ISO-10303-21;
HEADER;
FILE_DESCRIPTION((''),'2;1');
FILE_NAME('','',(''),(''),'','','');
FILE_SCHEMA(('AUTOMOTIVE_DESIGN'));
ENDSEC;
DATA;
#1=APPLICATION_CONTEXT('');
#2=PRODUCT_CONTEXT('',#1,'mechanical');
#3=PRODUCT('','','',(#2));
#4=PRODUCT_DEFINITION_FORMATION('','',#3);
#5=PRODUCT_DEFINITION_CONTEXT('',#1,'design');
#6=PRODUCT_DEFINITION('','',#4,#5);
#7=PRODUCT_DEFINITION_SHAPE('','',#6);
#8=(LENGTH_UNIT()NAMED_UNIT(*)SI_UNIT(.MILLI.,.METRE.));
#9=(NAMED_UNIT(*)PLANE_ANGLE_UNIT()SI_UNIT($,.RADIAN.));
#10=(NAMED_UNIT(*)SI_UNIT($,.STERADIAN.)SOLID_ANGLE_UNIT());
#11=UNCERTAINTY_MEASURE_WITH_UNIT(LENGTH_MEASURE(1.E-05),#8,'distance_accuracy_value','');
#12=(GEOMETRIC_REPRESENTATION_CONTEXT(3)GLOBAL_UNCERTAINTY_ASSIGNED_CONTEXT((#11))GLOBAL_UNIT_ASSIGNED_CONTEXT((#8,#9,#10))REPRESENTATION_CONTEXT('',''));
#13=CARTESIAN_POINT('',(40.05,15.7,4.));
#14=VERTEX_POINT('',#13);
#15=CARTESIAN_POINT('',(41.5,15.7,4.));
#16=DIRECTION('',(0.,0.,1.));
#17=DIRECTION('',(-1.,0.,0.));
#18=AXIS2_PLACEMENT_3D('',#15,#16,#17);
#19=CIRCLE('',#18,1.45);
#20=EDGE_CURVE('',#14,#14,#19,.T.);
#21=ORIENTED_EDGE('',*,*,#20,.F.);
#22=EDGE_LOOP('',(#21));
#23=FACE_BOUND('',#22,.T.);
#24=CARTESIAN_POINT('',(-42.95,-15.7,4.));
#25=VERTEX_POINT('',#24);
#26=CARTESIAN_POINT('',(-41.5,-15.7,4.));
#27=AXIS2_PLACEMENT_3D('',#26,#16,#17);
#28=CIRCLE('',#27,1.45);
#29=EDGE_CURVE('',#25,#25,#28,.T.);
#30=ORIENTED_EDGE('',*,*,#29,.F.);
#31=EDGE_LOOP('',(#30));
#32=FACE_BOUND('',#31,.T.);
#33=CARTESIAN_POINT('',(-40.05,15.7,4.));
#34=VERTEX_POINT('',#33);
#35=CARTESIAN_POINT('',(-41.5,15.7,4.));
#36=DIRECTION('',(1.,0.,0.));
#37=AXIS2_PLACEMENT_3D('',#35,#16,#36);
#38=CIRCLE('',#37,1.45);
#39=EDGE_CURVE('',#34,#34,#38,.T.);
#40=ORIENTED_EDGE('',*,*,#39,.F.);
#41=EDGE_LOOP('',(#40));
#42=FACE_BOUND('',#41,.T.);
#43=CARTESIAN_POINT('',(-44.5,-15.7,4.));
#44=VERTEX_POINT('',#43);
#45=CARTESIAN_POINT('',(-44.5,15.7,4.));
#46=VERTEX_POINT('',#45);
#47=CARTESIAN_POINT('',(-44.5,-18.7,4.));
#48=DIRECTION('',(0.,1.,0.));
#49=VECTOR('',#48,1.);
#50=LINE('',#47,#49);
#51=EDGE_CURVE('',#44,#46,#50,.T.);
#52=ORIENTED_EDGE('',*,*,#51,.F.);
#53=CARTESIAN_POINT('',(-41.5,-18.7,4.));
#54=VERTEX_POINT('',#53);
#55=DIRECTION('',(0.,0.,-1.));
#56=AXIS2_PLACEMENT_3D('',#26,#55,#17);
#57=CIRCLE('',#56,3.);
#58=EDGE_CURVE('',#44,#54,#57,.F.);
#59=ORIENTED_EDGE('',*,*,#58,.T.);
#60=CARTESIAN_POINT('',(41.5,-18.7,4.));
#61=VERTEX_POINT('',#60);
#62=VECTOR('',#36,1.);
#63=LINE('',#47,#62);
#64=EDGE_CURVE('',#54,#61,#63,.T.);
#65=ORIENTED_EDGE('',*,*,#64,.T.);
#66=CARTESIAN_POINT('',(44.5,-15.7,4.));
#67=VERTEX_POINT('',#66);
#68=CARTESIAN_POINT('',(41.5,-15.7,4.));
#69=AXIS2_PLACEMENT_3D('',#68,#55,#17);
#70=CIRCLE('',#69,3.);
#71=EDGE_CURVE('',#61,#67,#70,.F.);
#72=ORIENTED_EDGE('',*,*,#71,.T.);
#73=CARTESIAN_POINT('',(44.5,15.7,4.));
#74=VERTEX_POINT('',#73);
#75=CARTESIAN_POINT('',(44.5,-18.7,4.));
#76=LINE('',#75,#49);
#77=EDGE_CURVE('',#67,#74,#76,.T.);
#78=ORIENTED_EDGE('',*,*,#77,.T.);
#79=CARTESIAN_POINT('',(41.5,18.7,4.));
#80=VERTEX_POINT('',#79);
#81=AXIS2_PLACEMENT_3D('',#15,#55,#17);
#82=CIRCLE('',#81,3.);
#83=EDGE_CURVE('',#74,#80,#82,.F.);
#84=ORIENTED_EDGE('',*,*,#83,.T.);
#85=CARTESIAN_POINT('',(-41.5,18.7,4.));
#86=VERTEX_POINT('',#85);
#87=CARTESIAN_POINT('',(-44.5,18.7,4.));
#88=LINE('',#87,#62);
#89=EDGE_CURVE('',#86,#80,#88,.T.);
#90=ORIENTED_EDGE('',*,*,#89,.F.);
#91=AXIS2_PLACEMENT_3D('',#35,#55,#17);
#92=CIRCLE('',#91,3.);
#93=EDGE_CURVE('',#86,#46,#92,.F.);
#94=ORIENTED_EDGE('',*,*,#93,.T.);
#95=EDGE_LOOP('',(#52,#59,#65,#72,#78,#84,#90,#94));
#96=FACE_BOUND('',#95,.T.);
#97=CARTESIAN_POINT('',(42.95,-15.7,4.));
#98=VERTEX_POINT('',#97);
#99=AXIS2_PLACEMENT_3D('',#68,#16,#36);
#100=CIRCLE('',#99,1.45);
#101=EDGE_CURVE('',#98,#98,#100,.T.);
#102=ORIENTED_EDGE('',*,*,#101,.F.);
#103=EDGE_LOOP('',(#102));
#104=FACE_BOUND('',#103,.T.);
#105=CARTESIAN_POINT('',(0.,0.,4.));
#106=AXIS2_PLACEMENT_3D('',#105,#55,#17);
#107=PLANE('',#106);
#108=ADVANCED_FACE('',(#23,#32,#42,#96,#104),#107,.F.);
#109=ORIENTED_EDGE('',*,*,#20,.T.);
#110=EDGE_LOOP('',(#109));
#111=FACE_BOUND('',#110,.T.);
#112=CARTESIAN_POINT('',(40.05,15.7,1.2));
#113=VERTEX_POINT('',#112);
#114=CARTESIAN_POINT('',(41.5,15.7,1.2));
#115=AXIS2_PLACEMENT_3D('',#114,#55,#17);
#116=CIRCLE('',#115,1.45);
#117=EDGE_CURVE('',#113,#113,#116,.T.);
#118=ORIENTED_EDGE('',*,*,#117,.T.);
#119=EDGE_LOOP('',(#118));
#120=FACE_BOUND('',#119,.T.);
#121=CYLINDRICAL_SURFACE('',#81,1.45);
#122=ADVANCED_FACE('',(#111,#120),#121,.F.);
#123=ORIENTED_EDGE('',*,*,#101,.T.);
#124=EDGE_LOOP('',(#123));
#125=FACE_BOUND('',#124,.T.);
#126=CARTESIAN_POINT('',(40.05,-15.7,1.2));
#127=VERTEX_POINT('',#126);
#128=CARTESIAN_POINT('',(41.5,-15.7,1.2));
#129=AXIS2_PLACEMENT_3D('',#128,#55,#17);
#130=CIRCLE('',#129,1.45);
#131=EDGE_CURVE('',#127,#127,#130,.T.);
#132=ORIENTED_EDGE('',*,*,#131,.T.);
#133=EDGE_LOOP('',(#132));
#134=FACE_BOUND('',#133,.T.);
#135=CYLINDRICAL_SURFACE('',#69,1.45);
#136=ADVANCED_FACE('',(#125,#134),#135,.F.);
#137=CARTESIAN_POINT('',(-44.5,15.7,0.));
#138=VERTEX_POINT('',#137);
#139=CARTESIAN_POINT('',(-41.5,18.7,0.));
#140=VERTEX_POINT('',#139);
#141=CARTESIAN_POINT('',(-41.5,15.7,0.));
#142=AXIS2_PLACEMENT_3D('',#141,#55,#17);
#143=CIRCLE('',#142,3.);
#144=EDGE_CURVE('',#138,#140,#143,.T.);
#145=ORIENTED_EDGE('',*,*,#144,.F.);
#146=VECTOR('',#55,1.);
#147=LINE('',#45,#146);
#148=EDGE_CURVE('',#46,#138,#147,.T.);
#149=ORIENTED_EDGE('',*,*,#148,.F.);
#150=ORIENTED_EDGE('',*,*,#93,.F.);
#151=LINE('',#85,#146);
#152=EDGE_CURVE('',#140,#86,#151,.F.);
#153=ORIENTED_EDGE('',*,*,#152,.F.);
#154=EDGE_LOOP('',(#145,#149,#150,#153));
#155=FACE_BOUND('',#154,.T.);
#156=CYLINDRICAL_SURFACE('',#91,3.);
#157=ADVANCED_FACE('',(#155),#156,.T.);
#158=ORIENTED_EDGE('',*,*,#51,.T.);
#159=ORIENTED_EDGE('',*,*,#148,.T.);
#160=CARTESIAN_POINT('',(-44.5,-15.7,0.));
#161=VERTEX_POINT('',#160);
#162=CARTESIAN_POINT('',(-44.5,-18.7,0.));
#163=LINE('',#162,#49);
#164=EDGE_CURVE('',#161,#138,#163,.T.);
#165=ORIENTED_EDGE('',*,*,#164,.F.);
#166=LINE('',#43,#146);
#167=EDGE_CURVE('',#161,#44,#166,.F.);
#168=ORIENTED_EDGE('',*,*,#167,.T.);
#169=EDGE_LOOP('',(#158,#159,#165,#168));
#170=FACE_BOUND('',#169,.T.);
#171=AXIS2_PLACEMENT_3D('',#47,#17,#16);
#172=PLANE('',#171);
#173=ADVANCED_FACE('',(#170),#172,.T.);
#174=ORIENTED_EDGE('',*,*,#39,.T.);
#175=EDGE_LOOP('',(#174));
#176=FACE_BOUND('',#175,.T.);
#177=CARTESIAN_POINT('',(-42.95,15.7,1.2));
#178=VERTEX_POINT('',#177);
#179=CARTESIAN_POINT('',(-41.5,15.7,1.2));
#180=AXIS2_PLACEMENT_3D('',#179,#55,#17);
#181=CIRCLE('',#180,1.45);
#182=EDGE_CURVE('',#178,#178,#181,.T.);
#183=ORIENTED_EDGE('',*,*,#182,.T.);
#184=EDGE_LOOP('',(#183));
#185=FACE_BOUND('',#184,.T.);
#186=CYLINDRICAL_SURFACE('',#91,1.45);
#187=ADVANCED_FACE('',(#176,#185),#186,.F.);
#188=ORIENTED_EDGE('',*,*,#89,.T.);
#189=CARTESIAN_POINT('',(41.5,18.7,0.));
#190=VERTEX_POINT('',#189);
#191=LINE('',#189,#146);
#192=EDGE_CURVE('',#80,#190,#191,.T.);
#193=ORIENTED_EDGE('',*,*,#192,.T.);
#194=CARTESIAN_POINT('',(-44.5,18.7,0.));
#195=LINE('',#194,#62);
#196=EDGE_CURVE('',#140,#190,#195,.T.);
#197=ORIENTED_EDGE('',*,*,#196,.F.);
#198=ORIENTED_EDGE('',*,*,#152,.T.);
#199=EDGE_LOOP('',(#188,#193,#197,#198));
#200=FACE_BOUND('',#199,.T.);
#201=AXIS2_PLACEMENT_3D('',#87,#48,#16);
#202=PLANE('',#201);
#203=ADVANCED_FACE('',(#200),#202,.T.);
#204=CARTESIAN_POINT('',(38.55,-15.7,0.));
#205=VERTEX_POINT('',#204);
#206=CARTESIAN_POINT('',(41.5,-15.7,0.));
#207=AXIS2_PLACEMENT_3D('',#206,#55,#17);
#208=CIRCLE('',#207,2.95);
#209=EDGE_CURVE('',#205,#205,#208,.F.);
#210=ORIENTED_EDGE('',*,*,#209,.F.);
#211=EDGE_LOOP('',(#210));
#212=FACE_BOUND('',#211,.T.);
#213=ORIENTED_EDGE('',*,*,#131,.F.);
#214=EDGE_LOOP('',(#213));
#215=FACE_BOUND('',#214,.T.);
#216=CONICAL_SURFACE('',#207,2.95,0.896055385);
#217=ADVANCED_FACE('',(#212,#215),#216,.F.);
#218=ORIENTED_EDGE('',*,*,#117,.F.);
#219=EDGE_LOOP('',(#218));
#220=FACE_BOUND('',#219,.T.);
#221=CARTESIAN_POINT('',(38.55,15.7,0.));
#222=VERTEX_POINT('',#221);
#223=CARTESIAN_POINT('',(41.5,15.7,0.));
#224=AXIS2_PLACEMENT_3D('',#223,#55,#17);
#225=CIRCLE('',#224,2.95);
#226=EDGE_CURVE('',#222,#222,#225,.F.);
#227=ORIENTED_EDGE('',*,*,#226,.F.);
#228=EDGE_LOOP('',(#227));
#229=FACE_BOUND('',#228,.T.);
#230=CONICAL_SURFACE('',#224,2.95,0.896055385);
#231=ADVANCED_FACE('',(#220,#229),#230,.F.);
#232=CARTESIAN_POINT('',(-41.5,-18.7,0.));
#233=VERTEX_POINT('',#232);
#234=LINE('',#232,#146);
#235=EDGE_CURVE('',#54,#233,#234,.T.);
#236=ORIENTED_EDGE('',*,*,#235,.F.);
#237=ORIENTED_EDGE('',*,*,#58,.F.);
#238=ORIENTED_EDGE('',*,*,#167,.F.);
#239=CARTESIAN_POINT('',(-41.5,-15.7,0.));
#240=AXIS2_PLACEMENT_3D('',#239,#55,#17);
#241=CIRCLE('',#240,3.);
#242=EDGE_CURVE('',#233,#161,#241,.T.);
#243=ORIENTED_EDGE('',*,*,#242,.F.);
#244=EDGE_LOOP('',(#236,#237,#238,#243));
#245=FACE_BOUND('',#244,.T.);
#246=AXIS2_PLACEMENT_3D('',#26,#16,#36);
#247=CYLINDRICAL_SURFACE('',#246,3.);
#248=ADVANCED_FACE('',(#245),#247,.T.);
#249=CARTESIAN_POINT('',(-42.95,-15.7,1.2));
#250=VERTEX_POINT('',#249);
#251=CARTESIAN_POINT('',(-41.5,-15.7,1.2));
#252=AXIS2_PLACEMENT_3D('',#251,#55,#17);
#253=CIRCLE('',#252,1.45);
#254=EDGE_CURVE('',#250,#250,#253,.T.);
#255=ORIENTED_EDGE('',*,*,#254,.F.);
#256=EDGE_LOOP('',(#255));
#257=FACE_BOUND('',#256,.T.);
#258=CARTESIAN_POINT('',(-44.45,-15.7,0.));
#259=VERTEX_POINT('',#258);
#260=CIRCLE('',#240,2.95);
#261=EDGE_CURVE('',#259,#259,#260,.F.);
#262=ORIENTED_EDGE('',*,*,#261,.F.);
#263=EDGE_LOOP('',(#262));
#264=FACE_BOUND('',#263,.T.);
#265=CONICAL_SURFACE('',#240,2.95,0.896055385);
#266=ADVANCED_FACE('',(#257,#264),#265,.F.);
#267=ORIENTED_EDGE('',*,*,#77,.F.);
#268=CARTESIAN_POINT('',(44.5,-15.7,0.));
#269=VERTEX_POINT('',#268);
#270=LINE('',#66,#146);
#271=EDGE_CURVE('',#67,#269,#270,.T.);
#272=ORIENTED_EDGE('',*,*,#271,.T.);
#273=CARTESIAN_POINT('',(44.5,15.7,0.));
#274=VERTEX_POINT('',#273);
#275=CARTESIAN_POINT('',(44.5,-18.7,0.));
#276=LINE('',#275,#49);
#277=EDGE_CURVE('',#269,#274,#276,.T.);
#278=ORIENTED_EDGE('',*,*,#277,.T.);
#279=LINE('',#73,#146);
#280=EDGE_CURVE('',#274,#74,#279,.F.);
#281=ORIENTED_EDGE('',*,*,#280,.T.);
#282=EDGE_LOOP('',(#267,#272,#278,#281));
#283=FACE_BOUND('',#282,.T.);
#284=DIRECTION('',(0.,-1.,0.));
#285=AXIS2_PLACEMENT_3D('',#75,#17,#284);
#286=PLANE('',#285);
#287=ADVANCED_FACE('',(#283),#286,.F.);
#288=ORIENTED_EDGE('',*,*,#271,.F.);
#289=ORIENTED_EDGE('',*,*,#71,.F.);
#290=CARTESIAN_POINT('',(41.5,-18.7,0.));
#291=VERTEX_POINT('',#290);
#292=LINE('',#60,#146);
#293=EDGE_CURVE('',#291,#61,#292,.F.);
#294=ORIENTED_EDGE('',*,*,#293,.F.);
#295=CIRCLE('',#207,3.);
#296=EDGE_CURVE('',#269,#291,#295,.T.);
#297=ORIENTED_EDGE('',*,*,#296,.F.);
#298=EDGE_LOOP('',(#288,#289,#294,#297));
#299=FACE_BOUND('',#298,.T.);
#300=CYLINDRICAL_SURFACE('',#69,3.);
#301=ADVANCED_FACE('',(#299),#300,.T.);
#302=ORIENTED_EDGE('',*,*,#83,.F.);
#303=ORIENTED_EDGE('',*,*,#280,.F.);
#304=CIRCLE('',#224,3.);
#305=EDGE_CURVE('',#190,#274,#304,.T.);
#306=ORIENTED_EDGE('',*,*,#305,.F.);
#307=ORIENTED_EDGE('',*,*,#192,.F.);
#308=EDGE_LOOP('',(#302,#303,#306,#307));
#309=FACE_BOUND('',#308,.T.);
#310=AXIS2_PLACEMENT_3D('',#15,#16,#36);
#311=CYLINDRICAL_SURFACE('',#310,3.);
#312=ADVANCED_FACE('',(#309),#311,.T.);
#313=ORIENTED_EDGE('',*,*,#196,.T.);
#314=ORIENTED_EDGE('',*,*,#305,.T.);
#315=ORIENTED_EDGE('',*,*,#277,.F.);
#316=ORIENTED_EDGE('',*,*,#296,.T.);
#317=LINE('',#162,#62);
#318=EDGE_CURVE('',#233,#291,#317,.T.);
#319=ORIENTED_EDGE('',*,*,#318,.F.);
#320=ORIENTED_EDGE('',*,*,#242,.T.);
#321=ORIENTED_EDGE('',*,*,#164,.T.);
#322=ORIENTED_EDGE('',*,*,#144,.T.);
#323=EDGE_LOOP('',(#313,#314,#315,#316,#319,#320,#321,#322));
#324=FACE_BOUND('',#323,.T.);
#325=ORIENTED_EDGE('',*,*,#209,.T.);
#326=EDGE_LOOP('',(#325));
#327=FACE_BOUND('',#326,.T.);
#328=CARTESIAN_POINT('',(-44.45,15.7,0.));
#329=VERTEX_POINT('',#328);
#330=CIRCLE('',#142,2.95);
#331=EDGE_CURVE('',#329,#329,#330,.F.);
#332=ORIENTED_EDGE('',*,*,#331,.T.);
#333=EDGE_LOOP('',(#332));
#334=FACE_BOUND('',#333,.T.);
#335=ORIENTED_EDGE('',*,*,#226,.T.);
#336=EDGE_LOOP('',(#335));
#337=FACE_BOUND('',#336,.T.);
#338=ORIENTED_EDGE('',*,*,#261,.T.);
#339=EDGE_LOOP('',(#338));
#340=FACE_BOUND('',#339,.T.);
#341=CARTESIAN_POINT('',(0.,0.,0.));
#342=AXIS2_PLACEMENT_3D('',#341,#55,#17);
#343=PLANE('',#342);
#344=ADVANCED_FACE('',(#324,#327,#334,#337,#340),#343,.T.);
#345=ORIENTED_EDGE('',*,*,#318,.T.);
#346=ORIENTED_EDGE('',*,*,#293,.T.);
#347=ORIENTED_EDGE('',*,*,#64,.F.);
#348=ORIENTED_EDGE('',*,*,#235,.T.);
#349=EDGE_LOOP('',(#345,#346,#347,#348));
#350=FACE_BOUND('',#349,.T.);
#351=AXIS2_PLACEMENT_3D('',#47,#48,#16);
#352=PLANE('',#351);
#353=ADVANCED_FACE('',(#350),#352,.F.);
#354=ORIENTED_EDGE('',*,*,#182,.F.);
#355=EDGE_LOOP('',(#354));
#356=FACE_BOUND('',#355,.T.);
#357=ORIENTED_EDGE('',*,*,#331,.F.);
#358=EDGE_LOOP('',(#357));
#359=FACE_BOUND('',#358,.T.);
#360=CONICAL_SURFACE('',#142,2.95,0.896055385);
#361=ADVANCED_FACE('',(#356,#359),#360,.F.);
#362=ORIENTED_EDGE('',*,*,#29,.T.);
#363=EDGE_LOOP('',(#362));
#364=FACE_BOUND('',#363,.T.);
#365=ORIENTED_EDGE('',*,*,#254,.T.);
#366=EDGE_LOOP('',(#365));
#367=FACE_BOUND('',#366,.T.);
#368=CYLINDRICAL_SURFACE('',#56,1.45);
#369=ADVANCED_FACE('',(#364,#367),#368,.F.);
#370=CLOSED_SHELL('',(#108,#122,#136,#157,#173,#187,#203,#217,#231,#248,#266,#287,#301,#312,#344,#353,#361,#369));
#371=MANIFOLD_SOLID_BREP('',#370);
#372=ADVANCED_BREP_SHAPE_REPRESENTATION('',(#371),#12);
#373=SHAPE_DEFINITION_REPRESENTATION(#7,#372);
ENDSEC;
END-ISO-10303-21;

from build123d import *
from OCP.BRepFilletAPI import BRepFilletAPI_MakeChamfer

# Parameters (mm, degrees)
SKETCH_1_W          = 89
SKETCH_1_H          = 37.4
EXTRUDE_1_DEPTH     = 4
FILLET_1_R          = 3
SKETCH_2_R          = 1.45
CUT_EXTRUDE_3_DEPTH = 4
CHAMFER_1_SIZE      = 1.2
CHAMFER_1_SIZE2     = 1.5


with BuildPart() as part:
    # 스케치1 → 보스-돌출1 (new body)
    with BuildSketch(Plane.XY):
        Rectangle(SKETCH_1_W, SKETCH_1_H)
    extrude(amount=EXTRUDE_1_DEPTH)

    # 필렛1
    fillet_1_edges = [part.edges().sort_by_distance(p)[0] for p in [
        (-44.5, -18.7, 2),
        (44.5, -18.7, 2),
        (44.5, 18.7, 2),
        (-44.5, 18.7, 2),
    ]]
    fillet(fillet_1_edges, radius=FILLET_1_R)

    # 스케치2 → 컷-돌출3 (cut)
    with BuildSketch(Plane.XY):
        with Locations((-41.5, 15.7)):
            Circle(SKETCH_2_R)
        with Locations(Location((41.5, 15.7, 0), (0, 0, 180))):
            Circle(SKETCH_2_R)
        with Locations((41.5, -15.7)):
            Circle(SKETCH_2_R)
        with Locations(Location((-41.5, -15.7, 0), (0, 0, 180))):
            Circle(SKETCH_2_R)
    extrude(amount=CUT_EXTRUDE_3_DEPTH, mode=Mode.SUBTRACT)

    # 모따기1: one chamfer whose edges measure the first distance from different faces: ONE call of the kernel's chamfer builder (chamfer() names one face for all edges)
    chamfer_1_edges_1 = [part.edges().sort_by_distance(p)[0] for p in [
        (-40.05, -15.7, 0),
    ]]
    chamfer_1_side_1 = [part.faces().sort_by_distance(p)[0] for p in [
        (-40.05, -15.7, 2),
    ]]
    chamfer_1_edges_2 = [part.edges().sort_by_distance(p)[0] for p in [
        (40.05, -15.7, 0),
    ]]
    chamfer_1_side_2 = [part.faces().sort_by_distance(p)[0] for p in [
        (40.05, -15.7, 2),
    ]]
    chamfer_1_edges_3 = [part.edges().sort_by_distance(p)[0] for p in [
        (42.95, 15.7, 0),
    ]]
    chamfer_1_side_3 = [part.faces().sort_by_distance(p)[0] for p in [
        (42.95, 15.7, 2),
    ]]
    chamfer_1_edges_4 = [part.edges().sort_by_distance(p)[0] for p in [
        (-42.95, 15.7, 0),
    ]]
    chamfer_1_side_4 = [part.faces().sort_by_distance(p)[0] for p in [
        (-42.95, 15.7, 2),
    ]]
    chamfer_1 = BRepFilletAPI_MakeChamfer(part.part.solid().wrapped)
    for e in chamfer_1_edges_1:
        chamfer_1.Add(CHAMFER_1_SIZE, CHAMFER_1_SIZE2, e.wrapped, chamfer_1_side_1[0].wrapped)  # the first distance lies on this face
    for e in chamfer_1_edges_2:
        chamfer_1.Add(CHAMFER_1_SIZE, CHAMFER_1_SIZE2, e.wrapped, chamfer_1_side_2[0].wrapped)  # the first distance lies on this face
    for e in chamfer_1_edges_3:
        chamfer_1.Add(CHAMFER_1_SIZE, CHAMFER_1_SIZE2, e.wrapped, chamfer_1_side_3[0].wrapped)  # the first distance lies on this face
    for e in chamfer_1_edges_4:
        chamfer_1.Add(CHAMFER_1_SIZE, CHAMFER_1_SIZE2, e.wrapped, chamfer_1_side_4[0].wrapped)  # the first distance lies on this face
    add(Compound.cast(chamfer_1.Shape()), mode=Mode.REPLACE)


solid = part.part
